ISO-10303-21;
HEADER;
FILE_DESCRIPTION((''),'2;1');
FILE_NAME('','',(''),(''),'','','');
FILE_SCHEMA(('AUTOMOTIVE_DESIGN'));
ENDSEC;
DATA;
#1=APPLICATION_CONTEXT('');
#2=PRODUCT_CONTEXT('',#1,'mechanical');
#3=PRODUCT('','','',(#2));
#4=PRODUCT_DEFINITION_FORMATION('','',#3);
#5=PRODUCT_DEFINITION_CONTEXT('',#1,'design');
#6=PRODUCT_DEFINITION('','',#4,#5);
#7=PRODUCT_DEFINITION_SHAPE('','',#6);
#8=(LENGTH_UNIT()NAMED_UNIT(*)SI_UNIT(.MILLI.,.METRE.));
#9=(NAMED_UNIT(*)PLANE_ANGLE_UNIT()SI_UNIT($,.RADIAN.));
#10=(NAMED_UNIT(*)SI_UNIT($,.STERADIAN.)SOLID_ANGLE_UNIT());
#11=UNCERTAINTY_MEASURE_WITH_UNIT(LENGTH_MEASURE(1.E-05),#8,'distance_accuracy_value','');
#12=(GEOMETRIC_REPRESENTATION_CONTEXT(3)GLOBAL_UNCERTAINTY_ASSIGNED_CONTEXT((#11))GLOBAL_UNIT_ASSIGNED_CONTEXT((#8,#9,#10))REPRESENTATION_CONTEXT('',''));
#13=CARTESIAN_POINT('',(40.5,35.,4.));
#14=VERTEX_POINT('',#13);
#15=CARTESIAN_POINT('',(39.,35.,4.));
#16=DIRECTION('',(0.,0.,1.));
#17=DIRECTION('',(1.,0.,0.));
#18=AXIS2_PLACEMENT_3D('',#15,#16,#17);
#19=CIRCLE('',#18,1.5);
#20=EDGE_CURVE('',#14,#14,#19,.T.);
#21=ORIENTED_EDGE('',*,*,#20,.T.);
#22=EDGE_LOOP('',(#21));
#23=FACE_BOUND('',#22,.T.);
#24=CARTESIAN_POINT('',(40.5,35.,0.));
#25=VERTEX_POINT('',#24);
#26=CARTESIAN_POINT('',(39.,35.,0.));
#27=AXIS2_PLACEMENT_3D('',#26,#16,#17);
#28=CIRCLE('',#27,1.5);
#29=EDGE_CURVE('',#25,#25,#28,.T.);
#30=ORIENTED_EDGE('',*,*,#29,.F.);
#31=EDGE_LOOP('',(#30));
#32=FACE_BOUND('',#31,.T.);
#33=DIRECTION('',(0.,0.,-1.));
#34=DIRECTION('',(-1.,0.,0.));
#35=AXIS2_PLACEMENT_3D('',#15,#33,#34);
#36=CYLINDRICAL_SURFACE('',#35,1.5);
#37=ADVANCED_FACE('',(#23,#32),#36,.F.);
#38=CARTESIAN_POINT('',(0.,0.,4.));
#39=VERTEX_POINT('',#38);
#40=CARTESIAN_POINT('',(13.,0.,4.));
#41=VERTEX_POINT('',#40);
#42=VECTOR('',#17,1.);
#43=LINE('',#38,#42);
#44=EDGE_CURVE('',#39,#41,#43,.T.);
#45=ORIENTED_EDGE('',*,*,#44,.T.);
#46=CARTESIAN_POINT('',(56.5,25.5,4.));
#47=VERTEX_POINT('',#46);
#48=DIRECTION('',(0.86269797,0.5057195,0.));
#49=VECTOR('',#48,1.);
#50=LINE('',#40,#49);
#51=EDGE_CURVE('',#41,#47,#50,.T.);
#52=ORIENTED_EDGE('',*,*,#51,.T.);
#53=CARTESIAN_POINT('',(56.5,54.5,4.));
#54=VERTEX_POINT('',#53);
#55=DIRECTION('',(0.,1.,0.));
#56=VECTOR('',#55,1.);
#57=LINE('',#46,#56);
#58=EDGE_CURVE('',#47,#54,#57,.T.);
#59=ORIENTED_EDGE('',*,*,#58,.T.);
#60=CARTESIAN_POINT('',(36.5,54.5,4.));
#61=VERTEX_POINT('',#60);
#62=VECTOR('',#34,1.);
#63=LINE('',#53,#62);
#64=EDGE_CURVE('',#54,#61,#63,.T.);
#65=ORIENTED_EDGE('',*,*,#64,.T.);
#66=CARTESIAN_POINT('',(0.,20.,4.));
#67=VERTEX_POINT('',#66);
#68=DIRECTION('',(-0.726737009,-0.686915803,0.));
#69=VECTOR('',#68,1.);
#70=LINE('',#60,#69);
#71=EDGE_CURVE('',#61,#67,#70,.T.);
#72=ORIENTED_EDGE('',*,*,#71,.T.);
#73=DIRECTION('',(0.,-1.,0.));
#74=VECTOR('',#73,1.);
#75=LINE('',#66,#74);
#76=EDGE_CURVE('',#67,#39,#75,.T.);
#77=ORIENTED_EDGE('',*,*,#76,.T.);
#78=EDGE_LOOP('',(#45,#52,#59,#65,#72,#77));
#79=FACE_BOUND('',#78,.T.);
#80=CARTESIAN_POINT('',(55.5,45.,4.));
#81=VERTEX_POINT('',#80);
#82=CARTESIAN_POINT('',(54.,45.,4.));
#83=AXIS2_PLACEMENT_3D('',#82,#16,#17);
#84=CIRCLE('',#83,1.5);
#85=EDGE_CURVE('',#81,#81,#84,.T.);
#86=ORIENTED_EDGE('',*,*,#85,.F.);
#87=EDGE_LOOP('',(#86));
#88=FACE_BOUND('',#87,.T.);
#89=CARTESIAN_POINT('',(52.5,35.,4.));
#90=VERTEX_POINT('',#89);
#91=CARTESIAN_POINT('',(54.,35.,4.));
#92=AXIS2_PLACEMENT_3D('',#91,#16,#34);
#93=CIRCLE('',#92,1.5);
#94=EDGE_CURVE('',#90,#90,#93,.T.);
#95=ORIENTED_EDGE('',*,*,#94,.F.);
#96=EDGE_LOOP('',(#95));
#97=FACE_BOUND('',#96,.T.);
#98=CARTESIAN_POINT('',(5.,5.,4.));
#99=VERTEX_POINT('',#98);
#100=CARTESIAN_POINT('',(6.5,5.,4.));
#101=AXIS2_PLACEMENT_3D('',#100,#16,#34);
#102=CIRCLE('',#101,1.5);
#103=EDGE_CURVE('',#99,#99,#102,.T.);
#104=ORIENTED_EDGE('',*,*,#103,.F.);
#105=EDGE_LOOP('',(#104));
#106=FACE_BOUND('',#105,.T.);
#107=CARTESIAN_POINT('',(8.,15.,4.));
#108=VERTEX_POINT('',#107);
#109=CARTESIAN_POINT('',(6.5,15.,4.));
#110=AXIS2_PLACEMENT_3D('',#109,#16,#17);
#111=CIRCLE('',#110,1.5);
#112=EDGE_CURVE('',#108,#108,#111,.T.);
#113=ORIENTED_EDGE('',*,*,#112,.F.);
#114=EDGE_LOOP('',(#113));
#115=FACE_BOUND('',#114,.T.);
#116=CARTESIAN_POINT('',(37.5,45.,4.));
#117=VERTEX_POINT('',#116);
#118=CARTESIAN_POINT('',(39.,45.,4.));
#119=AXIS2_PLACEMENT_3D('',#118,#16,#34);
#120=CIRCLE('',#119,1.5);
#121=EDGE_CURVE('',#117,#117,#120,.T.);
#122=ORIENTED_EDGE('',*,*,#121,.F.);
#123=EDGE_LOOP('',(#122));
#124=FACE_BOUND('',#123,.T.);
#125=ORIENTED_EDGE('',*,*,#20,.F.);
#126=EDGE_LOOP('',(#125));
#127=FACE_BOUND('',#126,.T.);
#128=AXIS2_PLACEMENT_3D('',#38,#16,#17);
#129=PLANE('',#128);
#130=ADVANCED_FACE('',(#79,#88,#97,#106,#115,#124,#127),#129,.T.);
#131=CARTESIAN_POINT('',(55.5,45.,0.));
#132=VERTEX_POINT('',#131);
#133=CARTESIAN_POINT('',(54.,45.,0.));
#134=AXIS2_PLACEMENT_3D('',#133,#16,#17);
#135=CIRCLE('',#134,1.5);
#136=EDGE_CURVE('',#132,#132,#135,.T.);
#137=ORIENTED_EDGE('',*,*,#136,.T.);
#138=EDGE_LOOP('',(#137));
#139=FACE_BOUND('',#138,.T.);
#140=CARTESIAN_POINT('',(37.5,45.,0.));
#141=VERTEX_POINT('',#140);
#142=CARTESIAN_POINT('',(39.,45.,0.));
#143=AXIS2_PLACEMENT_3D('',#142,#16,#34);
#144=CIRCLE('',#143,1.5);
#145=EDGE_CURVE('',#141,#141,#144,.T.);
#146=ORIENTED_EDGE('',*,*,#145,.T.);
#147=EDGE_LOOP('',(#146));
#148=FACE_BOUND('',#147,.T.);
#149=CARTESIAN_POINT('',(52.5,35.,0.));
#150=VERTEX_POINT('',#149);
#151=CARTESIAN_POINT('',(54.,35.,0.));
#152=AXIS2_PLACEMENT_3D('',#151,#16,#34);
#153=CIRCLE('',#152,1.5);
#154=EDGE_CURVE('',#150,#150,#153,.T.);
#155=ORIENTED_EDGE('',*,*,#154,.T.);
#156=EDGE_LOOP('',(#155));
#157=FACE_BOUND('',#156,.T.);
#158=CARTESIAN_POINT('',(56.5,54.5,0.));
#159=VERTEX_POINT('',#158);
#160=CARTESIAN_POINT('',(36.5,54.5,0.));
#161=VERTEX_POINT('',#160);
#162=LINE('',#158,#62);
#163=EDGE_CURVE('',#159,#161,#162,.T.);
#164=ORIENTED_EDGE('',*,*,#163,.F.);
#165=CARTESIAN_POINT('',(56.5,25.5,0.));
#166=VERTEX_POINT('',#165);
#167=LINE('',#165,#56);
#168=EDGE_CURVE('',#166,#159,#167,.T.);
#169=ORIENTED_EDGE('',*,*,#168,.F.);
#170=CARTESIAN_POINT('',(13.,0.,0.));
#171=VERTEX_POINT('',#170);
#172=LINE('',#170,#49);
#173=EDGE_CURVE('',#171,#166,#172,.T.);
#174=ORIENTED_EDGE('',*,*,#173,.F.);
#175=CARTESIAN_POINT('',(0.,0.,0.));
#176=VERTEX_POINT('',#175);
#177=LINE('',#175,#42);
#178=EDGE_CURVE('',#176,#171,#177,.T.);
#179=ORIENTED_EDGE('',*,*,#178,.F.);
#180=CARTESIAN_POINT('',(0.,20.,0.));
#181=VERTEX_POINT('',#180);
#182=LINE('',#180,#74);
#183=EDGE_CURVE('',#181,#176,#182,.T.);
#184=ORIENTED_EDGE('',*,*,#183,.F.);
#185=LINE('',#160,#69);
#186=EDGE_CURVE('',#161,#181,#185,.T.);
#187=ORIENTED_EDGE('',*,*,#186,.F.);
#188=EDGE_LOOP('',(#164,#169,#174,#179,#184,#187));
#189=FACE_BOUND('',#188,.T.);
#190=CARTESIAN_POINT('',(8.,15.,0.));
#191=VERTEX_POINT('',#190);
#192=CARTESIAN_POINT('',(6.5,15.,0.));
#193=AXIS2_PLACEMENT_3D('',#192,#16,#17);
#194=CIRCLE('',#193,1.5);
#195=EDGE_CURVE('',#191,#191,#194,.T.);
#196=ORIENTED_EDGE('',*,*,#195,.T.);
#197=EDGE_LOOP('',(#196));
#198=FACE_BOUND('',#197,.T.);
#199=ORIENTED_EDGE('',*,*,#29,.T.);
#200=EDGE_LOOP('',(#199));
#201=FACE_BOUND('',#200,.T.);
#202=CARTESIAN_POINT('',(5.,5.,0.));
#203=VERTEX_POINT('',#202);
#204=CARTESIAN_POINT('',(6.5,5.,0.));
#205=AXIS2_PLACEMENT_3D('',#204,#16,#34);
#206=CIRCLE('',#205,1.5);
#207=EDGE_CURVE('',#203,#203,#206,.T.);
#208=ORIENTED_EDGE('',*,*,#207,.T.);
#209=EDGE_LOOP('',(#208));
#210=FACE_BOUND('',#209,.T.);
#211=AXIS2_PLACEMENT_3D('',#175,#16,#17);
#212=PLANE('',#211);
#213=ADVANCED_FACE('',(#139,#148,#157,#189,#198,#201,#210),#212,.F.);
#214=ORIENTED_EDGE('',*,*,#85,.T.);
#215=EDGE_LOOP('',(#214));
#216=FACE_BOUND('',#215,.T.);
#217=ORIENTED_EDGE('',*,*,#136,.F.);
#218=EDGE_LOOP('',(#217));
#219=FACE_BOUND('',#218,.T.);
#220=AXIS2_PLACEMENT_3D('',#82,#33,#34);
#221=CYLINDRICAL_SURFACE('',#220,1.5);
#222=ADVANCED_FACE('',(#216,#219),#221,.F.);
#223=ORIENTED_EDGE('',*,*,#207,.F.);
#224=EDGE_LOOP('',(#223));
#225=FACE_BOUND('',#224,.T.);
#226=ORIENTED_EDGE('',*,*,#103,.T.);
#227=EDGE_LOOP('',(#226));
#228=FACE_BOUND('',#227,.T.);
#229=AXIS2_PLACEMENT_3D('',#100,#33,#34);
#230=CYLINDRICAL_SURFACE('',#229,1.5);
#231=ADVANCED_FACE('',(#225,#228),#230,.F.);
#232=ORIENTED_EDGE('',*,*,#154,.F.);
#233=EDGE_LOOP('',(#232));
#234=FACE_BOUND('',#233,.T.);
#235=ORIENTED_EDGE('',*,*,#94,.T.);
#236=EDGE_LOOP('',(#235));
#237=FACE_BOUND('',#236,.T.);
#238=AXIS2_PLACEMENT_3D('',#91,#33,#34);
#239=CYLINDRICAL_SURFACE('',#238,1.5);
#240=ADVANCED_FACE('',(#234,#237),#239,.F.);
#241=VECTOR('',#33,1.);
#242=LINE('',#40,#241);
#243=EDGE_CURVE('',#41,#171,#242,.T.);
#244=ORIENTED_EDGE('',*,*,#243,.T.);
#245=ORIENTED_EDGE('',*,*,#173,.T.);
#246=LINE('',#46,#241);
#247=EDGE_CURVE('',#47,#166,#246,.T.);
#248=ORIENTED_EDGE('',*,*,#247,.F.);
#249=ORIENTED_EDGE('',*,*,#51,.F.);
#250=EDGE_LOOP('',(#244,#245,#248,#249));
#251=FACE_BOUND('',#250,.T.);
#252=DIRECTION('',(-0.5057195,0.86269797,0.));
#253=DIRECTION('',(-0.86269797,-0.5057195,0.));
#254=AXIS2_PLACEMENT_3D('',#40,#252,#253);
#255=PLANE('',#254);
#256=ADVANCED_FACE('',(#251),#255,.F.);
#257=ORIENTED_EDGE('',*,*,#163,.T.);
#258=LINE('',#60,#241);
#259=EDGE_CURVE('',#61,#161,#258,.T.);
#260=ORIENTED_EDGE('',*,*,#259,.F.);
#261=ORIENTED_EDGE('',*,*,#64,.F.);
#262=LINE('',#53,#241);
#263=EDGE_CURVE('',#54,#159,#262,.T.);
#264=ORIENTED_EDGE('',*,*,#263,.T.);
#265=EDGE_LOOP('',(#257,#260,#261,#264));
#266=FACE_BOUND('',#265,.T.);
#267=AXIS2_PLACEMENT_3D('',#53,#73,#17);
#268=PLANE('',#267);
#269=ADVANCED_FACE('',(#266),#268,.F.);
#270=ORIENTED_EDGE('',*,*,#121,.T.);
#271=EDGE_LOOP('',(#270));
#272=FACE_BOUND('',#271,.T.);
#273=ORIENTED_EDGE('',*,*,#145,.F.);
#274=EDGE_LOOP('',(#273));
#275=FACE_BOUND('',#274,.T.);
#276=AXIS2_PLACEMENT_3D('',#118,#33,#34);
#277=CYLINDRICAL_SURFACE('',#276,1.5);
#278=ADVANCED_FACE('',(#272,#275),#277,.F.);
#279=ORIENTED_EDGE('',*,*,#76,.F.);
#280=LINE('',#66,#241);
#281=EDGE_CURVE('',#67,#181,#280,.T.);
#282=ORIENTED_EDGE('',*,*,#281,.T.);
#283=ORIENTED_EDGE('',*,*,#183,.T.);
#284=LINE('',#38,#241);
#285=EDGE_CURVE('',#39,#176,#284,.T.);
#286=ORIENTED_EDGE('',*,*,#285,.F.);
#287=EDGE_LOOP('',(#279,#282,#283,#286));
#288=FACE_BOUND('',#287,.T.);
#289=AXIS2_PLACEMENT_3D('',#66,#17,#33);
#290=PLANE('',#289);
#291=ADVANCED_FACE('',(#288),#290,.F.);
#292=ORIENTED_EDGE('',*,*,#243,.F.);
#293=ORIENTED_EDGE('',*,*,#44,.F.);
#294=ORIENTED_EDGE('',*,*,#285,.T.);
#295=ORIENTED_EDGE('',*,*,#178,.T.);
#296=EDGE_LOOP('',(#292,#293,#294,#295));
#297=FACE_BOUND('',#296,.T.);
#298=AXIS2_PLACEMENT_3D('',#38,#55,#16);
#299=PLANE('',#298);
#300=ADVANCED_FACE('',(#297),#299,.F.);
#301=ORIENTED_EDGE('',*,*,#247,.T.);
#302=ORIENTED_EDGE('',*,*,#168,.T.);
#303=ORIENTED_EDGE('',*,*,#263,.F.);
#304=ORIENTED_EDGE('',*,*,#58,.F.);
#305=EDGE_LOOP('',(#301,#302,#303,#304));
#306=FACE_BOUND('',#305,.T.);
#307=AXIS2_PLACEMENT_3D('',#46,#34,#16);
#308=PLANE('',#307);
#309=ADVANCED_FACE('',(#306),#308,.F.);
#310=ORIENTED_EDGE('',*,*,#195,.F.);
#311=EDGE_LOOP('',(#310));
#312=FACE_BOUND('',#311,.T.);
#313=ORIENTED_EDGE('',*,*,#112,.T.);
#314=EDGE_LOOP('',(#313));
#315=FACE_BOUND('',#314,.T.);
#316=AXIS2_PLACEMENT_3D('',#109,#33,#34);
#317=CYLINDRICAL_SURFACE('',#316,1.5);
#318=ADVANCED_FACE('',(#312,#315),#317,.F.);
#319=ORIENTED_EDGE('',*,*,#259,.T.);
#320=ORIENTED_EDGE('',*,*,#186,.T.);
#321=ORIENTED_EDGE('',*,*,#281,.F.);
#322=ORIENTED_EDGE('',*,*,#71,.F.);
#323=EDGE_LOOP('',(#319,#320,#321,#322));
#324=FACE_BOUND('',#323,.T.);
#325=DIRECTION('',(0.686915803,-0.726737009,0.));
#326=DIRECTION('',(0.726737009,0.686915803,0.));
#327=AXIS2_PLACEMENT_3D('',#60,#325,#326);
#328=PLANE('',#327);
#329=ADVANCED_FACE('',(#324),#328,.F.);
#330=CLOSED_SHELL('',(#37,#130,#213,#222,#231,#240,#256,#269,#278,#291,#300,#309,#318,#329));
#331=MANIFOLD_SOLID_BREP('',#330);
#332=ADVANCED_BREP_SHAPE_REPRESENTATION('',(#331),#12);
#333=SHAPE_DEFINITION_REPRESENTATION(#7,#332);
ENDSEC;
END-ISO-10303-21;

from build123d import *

# Parameters (mm, degrees)
SKETCH_1_R      = 1.5
EXTRUDE_1_DEPTH = 4


with BuildPart() as part:
    # 草图1 → 凸台-拉伸1 (new body)
    with BuildSketch(Plane.XY):
        Polygon((0, 0), (13, 0), (56.5, 25.5), (56.5, 54.5), (36.5, 54.5), (0, 20), align=None)
        with Locations((6.5, 15)):
            Circle(SKETCH_1_R, mode=Mode.SUBTRACT)
        with Locations(Location((6.5, 5, 0), (0, 0, 180))):
            Circle(SKETCH_1_R, mode=Mode.SUBTRACT)
        with Locations((39, 35)):
            Circle(SKETCH_1_R, mode=Mode.SUBTRACT)
        with Locations(Location((54, 35, 0), (0, 0, 180))):
            Circle(SKETCH_1_R, mode=Mode.SUBTRACT)
        with Locations(Location((39, 45, 0), (0, 0, 180))):
            Circle(SKETCH_1_R, mode=Mode.SUBTRACT)
        with Locations((54, 45)):
            Circle(SKETCH_1_R, mode=Mode.SUBTRACT)
    extrude(amount=EXTRUDE_1_DEPTH)


solid = part.part
